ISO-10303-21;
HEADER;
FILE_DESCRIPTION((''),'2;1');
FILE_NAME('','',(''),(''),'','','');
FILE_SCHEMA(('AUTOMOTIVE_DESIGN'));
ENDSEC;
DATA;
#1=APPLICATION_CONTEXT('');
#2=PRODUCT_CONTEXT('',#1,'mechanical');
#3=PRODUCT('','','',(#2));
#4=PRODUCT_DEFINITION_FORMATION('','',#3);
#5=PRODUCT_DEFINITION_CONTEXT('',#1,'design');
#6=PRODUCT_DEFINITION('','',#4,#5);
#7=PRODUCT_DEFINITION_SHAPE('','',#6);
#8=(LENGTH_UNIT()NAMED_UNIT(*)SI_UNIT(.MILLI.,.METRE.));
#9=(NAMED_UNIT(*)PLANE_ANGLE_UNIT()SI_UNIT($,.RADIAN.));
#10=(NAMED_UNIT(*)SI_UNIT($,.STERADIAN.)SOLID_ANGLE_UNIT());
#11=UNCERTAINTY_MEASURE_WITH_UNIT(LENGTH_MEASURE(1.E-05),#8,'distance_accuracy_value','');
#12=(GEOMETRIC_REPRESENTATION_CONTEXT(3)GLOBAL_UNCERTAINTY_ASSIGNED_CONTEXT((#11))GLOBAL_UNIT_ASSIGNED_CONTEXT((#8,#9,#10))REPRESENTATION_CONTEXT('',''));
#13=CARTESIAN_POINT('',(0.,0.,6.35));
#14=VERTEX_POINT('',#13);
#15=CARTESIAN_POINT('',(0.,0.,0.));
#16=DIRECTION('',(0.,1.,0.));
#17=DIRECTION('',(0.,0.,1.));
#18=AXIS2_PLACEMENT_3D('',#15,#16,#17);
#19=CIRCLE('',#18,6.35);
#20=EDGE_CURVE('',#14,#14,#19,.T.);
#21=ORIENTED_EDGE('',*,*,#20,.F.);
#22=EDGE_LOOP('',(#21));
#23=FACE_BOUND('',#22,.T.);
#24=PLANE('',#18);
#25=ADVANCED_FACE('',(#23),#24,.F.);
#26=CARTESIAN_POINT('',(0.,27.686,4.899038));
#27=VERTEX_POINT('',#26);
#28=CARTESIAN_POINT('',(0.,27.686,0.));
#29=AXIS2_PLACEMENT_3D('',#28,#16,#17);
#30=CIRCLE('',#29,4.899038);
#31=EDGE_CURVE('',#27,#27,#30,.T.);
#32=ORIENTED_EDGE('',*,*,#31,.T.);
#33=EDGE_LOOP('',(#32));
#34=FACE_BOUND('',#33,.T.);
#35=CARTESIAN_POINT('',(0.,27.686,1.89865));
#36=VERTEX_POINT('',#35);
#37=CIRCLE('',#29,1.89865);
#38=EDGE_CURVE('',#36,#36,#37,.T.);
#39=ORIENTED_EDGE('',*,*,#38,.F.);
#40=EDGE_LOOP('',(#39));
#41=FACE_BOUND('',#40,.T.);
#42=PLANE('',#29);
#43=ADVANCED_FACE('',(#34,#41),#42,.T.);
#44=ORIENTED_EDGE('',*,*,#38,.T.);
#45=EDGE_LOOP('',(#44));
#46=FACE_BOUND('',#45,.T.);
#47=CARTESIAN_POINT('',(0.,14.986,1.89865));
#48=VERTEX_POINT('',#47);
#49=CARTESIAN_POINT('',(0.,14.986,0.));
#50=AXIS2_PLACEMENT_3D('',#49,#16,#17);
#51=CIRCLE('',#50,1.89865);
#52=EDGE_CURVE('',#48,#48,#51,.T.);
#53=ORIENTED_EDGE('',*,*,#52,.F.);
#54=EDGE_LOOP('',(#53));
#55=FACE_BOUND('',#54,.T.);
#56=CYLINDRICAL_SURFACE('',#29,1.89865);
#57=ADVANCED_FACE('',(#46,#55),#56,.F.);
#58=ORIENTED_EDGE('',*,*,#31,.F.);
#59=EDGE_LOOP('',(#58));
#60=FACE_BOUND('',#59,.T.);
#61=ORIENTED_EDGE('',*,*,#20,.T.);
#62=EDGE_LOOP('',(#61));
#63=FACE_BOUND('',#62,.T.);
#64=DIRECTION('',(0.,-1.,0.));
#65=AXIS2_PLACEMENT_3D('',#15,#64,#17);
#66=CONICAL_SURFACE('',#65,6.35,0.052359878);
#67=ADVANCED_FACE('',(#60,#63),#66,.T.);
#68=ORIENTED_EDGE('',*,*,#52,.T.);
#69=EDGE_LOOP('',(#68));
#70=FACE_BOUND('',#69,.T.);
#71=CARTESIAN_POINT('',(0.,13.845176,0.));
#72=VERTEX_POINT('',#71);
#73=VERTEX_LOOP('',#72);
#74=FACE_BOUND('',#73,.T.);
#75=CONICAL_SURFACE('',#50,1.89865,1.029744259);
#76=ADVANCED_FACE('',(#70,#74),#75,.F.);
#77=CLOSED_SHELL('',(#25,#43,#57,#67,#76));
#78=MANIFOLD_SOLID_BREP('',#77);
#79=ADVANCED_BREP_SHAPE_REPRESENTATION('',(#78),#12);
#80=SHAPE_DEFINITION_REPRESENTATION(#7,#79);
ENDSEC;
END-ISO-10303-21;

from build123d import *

# Parameters (mm, degrees)
SKETCH1_R                  = 6.35
BOSS_EXTRUDE1_DEPTH        = 27.686
BOSS_EXTRUDE1_TAPER        = 3
F_10_24_TAPPED_HOLE1_D     = 3.7973
F_10_24_TAPPED_HOLE1_DEPTH = 12.7
F_10_24_TAPPED_HOLE1_TIP   = 1.140824014


with BuildPart() as part:
    # Sketch1 → Boss-Extrude1 (new body)
    with BuildSketch(Plane(origin=(0, 0, 0), x_dir=(1, 0, 0), z_dir=(0, 1, 0))):
        Circle(SKETCH1_R)
    extrude(amount=BOSS_EXTRUDE1_DEPTH, taper=BOSS_EXTRUDE1_TAPER)

    # #10-24 Tapped Hole1
    with Locations(Plane(origin=(0, 27.686, 0), x_dir=(1, 0, 0), z_dir=(0, 1, 0))):
        with Locations((0, 0)):
            Hole(F_10_24_TAPPED_HOLE1_D / 2, depth=F_10_24_TAPPED_HOLE1_DEPTH)
            with Locations((0, 0, -(F_10_24_TAPPED_HOLE1_DEPTH + F_10_24_TAPPED_HOLE1_TIP / 2))):  # 118° drill point
                Cone(0, F_10_24_TAPPED_HOLE1_D / 2, F_10_24_TAPPED_HOLE1_TIP, mode=Mode.SUBTRACT)


solid = part.part
